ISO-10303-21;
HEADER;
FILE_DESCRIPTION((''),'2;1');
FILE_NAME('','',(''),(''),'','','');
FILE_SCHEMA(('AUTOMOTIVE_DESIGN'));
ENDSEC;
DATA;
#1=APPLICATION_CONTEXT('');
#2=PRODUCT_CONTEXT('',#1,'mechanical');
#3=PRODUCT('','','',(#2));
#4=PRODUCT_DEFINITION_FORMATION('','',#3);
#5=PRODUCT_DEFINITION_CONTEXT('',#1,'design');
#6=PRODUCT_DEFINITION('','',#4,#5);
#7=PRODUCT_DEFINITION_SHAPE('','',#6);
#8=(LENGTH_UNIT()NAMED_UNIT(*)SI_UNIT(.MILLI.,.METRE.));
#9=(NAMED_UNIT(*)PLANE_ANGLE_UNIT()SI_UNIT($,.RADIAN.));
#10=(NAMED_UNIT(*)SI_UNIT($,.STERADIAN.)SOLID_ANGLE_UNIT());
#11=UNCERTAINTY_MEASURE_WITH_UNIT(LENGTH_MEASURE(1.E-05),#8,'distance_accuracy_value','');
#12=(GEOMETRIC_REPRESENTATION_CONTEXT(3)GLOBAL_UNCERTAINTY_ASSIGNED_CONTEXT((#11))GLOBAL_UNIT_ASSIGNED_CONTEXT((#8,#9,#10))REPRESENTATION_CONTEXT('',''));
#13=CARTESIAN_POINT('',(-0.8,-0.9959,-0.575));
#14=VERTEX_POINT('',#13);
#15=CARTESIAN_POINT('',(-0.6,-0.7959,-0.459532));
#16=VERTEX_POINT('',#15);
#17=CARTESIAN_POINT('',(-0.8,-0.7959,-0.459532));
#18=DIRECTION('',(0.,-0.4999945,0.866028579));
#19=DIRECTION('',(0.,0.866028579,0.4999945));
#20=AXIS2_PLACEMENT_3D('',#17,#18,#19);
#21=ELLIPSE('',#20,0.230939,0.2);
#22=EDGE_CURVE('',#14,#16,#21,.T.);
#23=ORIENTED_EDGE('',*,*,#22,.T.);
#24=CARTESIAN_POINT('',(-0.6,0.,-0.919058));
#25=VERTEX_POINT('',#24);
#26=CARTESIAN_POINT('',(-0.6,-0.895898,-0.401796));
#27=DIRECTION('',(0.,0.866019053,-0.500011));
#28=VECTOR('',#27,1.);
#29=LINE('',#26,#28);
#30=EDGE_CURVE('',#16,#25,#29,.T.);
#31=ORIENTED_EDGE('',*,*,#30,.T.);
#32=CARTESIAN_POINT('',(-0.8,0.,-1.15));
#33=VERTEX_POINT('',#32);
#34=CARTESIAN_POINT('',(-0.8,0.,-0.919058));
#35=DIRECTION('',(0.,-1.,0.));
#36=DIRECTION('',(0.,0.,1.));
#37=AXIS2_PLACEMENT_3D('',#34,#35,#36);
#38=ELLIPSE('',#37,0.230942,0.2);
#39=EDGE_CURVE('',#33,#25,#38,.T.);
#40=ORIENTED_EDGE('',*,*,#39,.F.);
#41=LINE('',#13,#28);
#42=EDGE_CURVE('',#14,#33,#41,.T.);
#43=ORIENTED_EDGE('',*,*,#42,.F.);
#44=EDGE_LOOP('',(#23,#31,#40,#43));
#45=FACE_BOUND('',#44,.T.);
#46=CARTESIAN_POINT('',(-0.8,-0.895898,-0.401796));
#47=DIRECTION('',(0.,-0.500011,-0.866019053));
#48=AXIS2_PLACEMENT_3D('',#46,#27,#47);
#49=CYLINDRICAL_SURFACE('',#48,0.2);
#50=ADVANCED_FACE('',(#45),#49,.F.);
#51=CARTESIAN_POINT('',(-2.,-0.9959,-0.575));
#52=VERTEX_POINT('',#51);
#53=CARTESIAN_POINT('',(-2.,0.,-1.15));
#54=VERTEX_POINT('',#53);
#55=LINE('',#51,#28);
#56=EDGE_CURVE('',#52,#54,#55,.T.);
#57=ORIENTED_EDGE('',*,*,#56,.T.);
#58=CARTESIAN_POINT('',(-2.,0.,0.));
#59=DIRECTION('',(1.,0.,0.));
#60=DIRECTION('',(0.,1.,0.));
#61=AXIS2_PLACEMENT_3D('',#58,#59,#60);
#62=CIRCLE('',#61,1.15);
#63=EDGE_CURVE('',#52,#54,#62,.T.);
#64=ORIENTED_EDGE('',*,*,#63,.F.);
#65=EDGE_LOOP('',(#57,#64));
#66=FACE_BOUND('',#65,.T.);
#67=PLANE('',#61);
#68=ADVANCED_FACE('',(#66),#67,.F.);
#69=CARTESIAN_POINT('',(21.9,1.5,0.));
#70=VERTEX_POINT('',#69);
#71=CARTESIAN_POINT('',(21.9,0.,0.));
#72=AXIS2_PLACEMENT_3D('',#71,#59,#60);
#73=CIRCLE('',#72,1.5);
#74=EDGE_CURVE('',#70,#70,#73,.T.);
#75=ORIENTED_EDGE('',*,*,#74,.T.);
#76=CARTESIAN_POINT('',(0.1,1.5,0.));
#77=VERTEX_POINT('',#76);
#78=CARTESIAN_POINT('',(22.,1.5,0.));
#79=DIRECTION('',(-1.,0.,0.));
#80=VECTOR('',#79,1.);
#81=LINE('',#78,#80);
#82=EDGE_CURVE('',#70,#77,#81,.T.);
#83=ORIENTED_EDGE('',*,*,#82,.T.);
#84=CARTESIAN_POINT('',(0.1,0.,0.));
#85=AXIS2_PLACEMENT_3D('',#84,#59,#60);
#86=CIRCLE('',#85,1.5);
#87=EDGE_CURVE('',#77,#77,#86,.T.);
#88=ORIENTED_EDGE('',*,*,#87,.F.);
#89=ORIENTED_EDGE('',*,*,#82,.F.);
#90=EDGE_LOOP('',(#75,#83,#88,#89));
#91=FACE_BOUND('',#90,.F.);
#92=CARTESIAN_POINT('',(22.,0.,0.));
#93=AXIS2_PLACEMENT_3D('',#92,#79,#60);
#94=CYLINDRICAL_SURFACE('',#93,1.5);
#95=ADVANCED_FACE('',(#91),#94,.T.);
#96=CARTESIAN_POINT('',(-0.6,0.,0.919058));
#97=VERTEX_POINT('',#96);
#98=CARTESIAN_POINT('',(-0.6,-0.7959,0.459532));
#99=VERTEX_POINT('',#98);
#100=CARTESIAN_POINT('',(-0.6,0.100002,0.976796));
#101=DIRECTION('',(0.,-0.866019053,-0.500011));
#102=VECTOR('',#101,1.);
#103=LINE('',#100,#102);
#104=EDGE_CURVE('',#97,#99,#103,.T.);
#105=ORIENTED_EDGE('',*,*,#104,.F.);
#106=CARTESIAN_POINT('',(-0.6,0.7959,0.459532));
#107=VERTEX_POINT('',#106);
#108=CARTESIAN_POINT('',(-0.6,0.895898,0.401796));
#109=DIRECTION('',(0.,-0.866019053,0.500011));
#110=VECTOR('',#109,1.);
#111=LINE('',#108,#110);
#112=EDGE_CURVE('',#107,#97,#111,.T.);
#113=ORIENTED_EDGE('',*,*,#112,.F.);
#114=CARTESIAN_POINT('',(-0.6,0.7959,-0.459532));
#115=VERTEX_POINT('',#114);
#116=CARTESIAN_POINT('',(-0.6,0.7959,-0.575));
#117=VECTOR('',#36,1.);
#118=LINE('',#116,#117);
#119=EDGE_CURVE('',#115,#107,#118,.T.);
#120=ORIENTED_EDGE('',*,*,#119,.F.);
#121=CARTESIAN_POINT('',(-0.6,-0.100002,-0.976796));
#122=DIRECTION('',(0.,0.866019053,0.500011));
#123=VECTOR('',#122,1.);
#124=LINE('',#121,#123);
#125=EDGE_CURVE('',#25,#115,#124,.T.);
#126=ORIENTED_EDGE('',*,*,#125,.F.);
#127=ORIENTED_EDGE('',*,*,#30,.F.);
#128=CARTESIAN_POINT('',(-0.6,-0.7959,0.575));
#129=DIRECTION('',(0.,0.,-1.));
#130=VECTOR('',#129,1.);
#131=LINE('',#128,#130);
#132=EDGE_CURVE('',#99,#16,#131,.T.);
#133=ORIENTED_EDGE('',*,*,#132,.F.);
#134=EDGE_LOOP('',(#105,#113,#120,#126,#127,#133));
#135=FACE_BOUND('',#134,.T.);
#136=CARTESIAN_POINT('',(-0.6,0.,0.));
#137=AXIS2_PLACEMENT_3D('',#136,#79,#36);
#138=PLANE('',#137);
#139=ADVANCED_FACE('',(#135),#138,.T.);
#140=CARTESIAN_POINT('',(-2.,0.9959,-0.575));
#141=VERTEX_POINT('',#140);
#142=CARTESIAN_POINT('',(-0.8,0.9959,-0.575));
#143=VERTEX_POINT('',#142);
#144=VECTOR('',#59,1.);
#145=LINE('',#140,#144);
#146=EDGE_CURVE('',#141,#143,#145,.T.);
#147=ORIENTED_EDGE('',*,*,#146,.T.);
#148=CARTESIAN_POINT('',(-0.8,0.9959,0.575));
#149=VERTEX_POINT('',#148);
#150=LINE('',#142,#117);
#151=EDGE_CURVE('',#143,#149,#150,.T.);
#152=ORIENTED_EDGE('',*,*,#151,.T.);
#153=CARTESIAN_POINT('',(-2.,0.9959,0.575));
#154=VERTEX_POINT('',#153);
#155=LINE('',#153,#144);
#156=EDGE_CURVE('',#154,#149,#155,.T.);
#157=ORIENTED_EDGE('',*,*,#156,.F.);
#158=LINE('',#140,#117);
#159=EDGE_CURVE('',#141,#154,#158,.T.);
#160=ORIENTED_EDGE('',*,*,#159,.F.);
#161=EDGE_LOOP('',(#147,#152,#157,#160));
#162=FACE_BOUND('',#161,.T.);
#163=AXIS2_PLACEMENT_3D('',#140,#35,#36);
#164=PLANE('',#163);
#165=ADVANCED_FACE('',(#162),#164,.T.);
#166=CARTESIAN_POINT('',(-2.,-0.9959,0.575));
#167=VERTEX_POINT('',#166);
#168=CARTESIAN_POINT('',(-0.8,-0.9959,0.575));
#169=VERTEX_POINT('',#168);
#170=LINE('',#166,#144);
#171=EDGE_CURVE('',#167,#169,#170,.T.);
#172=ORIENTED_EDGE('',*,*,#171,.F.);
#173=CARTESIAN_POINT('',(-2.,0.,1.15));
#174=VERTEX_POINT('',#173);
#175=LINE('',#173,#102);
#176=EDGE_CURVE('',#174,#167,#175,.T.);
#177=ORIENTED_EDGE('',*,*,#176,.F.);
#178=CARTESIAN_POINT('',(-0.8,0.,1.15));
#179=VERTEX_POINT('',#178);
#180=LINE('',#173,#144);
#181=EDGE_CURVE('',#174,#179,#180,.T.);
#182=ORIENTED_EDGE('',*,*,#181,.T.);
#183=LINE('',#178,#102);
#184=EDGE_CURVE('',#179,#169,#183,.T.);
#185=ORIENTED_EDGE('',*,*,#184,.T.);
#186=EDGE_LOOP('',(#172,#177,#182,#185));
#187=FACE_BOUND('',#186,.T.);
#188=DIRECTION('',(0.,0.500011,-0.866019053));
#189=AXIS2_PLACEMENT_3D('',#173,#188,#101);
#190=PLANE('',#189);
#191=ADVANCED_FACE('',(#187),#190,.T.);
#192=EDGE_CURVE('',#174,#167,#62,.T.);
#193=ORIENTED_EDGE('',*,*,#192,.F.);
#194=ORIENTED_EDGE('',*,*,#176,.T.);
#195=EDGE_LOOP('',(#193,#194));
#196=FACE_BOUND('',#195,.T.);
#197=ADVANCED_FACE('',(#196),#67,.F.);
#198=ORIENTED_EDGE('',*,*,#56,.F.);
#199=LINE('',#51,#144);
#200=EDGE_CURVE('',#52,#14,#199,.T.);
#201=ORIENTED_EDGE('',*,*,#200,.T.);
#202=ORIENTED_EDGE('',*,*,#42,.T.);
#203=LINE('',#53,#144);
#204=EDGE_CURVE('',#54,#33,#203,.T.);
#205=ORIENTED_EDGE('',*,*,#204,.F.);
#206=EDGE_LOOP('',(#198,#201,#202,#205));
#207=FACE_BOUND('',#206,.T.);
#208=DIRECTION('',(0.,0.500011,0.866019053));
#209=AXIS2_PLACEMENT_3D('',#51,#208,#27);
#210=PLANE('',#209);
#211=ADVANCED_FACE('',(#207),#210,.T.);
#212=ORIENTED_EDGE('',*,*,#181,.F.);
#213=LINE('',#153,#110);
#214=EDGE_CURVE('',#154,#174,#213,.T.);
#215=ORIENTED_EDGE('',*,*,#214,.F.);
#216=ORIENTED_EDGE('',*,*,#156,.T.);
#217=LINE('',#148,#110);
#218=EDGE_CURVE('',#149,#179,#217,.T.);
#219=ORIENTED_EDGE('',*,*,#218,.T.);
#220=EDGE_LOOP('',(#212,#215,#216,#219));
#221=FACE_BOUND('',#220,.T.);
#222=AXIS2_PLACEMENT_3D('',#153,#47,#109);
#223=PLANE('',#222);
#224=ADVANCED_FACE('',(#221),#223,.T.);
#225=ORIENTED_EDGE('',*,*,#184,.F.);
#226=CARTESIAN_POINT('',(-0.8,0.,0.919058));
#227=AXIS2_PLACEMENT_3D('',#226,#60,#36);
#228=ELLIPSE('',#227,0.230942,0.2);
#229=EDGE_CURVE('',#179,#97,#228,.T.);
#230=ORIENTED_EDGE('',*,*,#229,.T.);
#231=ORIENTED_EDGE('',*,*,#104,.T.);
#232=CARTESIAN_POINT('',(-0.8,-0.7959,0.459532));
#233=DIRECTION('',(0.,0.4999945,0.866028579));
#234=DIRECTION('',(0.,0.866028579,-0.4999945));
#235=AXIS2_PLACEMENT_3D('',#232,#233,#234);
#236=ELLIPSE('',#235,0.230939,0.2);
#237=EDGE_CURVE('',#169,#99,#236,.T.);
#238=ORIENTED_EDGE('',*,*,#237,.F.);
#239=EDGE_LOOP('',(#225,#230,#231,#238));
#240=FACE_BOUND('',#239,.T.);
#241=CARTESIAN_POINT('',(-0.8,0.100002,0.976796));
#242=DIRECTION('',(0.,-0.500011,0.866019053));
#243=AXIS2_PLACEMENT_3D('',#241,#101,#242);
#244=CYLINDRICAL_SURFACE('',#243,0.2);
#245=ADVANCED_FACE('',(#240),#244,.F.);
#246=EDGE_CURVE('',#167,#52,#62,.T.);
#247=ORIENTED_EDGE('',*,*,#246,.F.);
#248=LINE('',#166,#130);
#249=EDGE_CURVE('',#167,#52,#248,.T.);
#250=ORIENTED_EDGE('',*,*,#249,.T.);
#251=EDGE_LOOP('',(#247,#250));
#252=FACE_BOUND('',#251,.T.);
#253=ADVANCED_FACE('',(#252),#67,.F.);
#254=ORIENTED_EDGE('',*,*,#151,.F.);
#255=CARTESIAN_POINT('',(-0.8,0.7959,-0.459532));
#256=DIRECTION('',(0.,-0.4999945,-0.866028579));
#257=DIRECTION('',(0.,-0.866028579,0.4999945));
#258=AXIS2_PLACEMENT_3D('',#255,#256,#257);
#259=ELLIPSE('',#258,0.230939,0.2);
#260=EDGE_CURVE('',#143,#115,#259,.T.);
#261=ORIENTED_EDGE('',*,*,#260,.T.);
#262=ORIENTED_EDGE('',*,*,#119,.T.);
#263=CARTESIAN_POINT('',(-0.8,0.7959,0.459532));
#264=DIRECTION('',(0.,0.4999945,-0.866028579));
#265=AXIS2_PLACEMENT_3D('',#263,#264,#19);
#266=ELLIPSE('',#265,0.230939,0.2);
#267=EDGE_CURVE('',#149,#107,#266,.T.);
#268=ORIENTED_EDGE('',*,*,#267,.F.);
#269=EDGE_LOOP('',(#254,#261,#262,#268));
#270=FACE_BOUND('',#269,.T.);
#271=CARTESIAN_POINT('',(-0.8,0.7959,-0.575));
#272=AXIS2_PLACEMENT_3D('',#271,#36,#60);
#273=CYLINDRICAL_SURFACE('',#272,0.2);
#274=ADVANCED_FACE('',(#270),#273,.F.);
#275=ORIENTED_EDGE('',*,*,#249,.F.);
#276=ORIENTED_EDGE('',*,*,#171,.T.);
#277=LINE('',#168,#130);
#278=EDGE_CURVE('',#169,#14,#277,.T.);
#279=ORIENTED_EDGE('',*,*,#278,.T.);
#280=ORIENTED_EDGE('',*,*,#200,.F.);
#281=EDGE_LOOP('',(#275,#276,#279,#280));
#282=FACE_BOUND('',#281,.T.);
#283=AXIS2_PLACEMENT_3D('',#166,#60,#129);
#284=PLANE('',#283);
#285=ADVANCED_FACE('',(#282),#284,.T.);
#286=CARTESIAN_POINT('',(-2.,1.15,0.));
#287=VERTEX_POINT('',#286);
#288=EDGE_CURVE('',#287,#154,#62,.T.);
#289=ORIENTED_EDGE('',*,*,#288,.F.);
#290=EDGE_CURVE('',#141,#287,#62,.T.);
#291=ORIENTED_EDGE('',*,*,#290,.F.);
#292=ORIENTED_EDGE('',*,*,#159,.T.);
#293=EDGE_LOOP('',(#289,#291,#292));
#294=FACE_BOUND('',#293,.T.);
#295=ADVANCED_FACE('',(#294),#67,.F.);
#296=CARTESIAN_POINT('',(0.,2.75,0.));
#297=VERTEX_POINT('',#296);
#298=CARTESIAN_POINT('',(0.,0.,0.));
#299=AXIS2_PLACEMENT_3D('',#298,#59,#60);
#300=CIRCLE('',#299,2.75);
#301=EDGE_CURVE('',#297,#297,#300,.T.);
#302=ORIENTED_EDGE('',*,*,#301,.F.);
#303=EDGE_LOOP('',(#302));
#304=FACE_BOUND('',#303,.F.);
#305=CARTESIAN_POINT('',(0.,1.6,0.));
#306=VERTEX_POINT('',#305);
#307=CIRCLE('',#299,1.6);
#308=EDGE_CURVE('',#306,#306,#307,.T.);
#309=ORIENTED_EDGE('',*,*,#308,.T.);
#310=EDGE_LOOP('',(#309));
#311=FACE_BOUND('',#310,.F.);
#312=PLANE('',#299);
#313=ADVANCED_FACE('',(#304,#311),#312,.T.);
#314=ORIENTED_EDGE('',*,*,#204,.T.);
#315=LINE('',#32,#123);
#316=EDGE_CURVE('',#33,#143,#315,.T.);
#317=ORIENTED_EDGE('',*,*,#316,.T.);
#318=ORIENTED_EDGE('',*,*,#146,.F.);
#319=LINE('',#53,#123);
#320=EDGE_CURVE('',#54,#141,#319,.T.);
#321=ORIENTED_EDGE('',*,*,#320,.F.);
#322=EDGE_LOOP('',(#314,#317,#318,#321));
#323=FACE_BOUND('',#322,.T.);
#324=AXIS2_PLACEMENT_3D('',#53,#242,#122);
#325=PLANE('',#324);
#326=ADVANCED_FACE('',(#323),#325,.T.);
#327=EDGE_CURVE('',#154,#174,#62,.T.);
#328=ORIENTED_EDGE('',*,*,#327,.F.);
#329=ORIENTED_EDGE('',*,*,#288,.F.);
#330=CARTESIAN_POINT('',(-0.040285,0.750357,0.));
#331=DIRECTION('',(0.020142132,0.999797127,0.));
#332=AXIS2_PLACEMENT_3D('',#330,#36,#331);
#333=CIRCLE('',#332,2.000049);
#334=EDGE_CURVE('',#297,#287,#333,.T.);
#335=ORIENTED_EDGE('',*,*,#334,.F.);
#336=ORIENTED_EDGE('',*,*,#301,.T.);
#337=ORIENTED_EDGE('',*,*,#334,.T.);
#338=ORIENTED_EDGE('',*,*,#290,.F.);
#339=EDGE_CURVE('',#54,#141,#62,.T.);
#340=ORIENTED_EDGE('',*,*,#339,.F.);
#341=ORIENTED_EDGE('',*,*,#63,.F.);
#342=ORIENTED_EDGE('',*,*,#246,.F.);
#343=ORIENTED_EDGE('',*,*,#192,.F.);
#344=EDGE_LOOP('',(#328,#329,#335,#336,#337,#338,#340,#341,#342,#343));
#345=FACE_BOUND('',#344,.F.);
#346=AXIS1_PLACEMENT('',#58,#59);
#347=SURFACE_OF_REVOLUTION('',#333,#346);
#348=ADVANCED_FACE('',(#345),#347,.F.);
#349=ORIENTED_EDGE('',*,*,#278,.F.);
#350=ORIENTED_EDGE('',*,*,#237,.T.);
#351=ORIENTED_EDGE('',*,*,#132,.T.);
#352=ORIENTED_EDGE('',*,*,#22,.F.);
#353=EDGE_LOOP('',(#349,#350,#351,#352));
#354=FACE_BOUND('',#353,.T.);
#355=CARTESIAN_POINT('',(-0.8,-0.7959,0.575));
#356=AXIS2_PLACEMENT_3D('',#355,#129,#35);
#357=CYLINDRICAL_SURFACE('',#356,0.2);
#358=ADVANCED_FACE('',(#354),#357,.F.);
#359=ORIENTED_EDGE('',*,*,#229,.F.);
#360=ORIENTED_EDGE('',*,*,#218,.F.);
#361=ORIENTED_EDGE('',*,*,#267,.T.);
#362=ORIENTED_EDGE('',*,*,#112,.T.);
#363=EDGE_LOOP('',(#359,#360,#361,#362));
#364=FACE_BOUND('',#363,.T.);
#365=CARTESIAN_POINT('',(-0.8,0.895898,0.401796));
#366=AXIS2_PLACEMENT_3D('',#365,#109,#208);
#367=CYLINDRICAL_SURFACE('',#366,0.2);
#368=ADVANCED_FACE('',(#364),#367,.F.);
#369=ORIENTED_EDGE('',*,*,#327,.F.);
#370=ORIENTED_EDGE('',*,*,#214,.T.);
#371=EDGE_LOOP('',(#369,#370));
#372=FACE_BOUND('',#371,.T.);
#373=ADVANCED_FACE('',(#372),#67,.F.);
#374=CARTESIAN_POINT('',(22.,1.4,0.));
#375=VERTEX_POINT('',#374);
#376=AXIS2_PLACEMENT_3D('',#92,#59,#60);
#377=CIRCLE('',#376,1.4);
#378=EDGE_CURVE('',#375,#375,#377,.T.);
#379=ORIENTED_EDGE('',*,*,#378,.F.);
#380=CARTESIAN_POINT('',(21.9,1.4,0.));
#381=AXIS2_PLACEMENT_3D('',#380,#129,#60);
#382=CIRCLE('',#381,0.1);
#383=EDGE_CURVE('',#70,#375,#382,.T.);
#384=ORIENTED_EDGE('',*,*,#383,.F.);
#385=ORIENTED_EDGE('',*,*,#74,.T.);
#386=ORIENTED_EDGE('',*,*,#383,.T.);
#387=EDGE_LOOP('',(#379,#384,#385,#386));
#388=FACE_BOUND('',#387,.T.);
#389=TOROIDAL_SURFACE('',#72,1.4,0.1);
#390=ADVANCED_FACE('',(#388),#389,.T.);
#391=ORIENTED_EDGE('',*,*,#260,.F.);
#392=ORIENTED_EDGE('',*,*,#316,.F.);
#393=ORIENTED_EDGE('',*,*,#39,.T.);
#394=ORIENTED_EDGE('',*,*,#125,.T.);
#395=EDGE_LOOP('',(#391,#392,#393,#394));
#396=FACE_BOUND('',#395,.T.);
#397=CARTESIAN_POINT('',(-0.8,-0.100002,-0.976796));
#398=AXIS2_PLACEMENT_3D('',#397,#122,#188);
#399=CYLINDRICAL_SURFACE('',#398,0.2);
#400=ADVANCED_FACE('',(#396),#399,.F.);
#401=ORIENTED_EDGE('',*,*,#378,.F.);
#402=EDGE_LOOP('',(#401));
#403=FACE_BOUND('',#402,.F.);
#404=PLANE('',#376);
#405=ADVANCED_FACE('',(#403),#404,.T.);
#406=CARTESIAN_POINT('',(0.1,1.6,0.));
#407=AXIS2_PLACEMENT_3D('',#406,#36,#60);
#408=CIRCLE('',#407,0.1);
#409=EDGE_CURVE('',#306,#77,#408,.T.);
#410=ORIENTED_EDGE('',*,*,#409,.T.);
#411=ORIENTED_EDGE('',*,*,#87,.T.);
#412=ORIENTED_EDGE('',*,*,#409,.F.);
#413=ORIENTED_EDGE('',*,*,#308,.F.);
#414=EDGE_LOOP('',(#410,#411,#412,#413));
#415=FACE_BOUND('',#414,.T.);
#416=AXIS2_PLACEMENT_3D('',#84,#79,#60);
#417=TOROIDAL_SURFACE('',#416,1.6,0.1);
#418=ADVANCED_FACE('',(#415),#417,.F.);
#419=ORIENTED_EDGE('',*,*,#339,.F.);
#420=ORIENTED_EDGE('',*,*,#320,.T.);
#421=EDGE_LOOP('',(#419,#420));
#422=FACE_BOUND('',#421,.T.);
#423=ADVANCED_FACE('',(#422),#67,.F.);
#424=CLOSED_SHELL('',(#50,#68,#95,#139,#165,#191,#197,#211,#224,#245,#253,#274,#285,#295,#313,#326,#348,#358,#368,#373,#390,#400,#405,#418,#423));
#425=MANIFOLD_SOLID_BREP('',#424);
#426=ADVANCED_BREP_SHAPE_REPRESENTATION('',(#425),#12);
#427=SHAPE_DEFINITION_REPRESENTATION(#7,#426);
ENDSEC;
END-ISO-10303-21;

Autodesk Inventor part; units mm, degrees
ref_plane "YZ Plane" through (0, 0, 0) normal (1, 0, 0) x (0, 1, 0)
ref_plane "XZ Plane" through (0, 0, 0) normal (0, 1, 0) x (-1, 0, 0)
ref_plane "XY Plane" through (0, 0, 0) normal (0, 0, 1) x (1, 0, 0)
sketch "スケッチ1" plane through (0, 0, 0) normal (0, 0, 1) x (1, 0, 0)
  line L0 (0, 0) -> (22, 0)
  line L1 (22, 0) -> (22, 1.5)
  line L2 (22, 1.5) -> (0, 1.5)
  line L3 (0, 1.5) -> (0, 0)
  line L4 (0, 0) -> (0, 2.75)
  line L5 (0, 0) -> (-2, 0)
  line L6 (-2, 0) -> (0, 0)
  line L7 (-2, 0) -> (-2, 1.15)
  arc A0 (0, 2.75) -> (-2, 1.15) centre (-0.0403, 0.7504) ccw
  dimension "d0" = 1.5
  dimension "d1" = 22
  dimension "d3" = 2
  dimension "d4" = 2.75
  dimension "d5" = 1.15
  dimension "d6" = 2
revolve "回転1" add sketch "スケッチ1" angle 360 about axis through (-2, 0, 0) along (1, 0, 0)
thread "ねじ1" size "M3x0.5" class "6g" standard "ANSI Metric M Profile" length 100
sketch "スケッチ2" plane through (-2, 0, 0) normal (-1, 0, 0) x (0, 0, 1)
  circle A0 centre (0, 0) radius 1.15 projected
  line L0 (-0.575, 0.9959) -> (0.575, 0.9959)
  line L1 (0.575, 0.9959) -> (1.15, 0)
  line L2 (1.15, 0) -> (0.575, -0.9959)
  line L3 (0.575, -0.9959) -> (-0.575, -0.9959)
  line L4 (-0.575, -0.9959) -> (-1.15, 0)
  line L5 (-1.15, 0) -> (-0.575, 0.9959)
  dimension "d10" = 1.15
  dimension "d11" = 1.9919
extrude "押し出し1" cut sketch "スケッチ2" against normal blind 1.4 contours L2 L3 L4 L5 L0 L1
fillet "フィレット1" radius 0.2 6 edges at (-0.6, 0.9959, 0) (-0.6, 0.498, 0.8625) (-0.6, 0.498, -0.8625) (-0.6, -0.498, -0.8625) (-0.6, -0.9959, 0) (-0.6, -0.498, 0.8625)
fillet "フィレット2" radius 0.1 1 edges at (0, -1.5, 0)
fillet "フィレット3" radius 0.1 1 edges at (22, -1.5, 0)
properties part number "ネジボタンM3L22" material "鋼"
